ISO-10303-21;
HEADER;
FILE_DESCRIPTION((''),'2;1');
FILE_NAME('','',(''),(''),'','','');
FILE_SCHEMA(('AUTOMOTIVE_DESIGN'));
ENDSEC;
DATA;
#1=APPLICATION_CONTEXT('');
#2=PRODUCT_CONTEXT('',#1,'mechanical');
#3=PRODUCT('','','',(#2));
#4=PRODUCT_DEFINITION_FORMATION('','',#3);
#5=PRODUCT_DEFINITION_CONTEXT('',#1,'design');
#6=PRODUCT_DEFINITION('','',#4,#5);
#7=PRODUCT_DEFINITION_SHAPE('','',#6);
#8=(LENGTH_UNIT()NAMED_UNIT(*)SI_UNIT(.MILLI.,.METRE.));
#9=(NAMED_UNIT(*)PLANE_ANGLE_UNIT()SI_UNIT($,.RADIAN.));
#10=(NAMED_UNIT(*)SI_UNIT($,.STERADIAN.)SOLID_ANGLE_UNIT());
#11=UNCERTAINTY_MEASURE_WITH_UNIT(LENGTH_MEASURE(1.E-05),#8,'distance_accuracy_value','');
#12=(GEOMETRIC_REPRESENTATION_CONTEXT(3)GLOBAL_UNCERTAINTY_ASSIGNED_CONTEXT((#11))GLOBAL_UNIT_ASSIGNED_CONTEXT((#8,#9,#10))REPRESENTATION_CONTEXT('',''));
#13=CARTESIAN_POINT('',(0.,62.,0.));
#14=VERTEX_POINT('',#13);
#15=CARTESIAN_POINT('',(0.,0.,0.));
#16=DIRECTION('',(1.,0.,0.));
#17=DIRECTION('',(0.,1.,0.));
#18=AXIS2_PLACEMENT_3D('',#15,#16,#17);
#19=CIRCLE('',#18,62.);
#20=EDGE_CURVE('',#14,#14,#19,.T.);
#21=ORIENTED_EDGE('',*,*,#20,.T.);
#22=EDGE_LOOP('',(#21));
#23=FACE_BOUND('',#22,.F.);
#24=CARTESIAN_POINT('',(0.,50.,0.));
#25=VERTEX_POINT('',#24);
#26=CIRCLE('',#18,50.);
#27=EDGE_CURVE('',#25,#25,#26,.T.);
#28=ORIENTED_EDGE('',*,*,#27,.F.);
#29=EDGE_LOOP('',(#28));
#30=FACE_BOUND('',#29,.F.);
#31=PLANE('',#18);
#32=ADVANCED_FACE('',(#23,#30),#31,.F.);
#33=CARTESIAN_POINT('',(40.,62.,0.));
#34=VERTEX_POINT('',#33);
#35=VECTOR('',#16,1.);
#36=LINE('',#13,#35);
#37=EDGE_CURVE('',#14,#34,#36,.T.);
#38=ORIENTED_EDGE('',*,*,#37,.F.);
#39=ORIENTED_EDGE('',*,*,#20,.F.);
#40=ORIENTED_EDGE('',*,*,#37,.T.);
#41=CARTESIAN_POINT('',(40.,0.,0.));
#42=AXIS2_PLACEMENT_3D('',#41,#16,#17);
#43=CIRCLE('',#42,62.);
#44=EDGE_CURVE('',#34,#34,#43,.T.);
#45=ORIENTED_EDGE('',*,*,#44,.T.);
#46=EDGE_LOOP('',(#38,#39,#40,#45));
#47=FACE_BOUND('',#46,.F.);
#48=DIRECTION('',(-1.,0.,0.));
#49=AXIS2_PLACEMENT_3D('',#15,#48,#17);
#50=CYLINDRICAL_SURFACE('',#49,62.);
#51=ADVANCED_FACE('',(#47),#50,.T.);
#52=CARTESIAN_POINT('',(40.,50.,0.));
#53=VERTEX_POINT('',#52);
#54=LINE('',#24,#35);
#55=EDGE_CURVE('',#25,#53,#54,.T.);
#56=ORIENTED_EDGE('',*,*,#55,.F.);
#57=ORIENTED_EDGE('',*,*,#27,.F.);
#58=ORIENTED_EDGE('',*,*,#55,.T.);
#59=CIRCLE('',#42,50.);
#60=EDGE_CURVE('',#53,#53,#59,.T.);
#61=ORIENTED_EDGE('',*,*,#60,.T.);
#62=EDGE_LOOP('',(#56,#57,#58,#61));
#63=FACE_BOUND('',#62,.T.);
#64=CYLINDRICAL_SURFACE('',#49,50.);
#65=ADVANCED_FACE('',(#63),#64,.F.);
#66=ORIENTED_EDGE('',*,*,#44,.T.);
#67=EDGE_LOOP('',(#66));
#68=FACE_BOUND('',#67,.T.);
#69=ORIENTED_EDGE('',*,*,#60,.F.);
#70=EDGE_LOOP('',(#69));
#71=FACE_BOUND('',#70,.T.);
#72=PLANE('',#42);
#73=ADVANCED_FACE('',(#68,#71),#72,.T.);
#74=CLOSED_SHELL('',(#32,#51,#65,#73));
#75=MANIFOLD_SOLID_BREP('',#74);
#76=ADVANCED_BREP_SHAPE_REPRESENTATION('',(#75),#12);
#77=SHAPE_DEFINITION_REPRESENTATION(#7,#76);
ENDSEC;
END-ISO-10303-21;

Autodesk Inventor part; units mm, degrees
ref_plane "YZ Plane" through (0, 0, 0) normal (1, 0, 0) x (0, 1, 0)
ref_plane "XZ Plane" through (0, 0, 0) normal (0, 1, 0) x (-1, 0, 0)
ref_plane "XY Plane" through (0, 0, 0) normal (0, 0, 1) x (1, 0, 0)
sketch "Sketch1" plane through (0, 0, 0) normal (1, 0, 0) x (0, 1, 0)
  circle A0 centre (0, 0) radius 50
  circle A1 centre (0, 0) radius 62
  dimension "d0" = 100
  dimension "d1" = 124
extrude "Extrusion1" add sketch "Sketch1" along normal blind 40
properties part number "Spaziamento3-4ipt" material "Steel, Alloy"
